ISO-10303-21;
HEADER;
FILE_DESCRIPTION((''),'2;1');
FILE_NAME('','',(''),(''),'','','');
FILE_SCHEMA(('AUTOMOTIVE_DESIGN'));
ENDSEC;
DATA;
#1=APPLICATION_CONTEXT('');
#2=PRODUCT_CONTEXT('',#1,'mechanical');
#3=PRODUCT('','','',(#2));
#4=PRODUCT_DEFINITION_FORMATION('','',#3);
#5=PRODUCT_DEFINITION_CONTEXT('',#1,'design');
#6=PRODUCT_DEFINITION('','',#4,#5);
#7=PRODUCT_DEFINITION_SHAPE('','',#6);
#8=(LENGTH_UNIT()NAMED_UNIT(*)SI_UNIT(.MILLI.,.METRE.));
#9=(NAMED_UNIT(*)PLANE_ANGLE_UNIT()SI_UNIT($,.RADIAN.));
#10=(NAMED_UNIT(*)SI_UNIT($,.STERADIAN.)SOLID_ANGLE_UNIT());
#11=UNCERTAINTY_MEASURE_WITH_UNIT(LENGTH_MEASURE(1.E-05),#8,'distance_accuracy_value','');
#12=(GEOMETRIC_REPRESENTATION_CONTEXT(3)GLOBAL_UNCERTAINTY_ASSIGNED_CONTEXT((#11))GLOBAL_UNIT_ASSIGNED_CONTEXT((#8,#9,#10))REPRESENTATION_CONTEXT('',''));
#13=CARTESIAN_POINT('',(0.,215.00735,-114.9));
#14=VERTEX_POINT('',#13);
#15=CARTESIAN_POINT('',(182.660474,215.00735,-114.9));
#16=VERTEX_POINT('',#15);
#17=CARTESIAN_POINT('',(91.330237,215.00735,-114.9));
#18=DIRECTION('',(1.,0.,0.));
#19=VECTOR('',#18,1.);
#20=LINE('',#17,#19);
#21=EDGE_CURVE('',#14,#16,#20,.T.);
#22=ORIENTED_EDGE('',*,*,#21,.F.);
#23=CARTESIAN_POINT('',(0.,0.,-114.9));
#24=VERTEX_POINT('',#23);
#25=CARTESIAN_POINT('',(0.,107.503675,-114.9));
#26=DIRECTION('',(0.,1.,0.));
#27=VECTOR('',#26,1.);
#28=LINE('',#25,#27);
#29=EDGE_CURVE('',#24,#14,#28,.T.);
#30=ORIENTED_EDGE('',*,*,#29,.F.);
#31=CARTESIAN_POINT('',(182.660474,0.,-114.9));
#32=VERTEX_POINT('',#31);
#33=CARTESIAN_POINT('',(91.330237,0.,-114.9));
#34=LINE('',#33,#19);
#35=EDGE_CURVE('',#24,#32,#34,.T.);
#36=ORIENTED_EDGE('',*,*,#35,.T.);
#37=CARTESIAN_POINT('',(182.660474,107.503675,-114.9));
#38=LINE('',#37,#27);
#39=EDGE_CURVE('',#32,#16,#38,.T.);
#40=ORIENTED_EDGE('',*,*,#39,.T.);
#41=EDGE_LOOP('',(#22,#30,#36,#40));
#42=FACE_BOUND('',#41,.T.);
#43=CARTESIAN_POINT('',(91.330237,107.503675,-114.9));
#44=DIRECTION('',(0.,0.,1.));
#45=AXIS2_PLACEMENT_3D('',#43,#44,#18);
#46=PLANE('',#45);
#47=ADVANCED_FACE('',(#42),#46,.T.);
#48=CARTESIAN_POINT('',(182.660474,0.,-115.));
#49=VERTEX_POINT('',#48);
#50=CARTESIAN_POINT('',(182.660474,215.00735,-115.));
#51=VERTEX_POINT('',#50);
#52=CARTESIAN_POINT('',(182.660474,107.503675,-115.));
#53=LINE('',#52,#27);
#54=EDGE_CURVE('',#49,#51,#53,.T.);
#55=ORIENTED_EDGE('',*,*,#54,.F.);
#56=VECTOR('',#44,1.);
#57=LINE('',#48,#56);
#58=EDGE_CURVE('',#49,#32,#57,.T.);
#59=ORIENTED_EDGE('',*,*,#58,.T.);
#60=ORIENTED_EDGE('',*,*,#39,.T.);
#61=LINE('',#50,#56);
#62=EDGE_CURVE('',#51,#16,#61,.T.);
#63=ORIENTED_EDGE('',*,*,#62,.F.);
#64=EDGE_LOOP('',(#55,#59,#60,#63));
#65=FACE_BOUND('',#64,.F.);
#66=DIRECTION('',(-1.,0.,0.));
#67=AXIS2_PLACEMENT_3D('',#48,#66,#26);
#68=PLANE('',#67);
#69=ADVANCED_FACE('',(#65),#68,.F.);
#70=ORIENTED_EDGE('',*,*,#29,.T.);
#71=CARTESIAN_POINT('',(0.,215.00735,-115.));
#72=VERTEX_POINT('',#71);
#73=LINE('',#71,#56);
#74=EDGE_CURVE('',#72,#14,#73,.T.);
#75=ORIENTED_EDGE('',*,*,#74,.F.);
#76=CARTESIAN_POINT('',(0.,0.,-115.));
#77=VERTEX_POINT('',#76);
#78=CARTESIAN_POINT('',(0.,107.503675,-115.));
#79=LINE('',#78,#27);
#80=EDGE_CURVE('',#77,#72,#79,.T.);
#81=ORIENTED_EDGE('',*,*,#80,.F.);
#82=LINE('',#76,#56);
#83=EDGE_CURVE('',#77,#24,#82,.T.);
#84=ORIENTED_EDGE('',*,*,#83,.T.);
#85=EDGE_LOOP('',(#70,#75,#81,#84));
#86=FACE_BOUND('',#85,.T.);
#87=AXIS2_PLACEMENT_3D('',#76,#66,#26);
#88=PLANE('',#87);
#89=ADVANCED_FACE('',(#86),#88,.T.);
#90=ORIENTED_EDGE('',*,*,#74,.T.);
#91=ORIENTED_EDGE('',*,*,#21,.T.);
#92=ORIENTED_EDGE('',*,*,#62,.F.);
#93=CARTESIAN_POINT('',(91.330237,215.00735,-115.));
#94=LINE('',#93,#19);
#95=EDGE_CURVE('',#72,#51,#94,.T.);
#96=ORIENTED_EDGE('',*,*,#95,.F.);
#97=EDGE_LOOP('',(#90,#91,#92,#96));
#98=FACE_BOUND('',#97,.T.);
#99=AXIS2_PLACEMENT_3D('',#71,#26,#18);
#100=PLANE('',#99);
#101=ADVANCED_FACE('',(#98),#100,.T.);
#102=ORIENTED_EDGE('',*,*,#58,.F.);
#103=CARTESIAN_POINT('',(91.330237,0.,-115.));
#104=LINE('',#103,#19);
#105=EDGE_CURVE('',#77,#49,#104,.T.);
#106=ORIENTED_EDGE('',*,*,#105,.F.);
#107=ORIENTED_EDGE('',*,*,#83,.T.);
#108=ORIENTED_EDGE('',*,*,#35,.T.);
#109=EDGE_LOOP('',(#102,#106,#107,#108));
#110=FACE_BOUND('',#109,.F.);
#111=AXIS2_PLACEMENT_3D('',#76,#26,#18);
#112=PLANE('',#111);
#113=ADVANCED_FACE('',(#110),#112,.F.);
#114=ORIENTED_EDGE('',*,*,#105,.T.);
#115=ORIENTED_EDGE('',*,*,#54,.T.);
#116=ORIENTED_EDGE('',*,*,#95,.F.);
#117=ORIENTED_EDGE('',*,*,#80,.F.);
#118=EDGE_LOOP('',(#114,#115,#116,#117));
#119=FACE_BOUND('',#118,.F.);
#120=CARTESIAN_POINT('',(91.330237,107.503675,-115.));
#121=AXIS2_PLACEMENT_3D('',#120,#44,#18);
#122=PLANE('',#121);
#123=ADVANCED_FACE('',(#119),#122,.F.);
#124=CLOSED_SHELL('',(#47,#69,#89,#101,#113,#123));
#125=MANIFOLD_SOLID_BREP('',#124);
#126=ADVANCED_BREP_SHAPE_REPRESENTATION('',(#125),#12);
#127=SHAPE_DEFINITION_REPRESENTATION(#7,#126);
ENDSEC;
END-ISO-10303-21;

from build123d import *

# Parameters (mm, degrees)
F1_W     = 182.660475
F1_H     = 215.00735
F2_DEPTH = 0.1


with BuildPart() as f2:
    # F1 (on offset) → F2 (new body)
    with BuildSketch(Plane.XY.offset(-115)):
        with Locations((91.330237, 107.503675)):
            Rectangle(F1_W, F1_H)
    extrude(amount=F2_DEPTH)


solid = f2.part
